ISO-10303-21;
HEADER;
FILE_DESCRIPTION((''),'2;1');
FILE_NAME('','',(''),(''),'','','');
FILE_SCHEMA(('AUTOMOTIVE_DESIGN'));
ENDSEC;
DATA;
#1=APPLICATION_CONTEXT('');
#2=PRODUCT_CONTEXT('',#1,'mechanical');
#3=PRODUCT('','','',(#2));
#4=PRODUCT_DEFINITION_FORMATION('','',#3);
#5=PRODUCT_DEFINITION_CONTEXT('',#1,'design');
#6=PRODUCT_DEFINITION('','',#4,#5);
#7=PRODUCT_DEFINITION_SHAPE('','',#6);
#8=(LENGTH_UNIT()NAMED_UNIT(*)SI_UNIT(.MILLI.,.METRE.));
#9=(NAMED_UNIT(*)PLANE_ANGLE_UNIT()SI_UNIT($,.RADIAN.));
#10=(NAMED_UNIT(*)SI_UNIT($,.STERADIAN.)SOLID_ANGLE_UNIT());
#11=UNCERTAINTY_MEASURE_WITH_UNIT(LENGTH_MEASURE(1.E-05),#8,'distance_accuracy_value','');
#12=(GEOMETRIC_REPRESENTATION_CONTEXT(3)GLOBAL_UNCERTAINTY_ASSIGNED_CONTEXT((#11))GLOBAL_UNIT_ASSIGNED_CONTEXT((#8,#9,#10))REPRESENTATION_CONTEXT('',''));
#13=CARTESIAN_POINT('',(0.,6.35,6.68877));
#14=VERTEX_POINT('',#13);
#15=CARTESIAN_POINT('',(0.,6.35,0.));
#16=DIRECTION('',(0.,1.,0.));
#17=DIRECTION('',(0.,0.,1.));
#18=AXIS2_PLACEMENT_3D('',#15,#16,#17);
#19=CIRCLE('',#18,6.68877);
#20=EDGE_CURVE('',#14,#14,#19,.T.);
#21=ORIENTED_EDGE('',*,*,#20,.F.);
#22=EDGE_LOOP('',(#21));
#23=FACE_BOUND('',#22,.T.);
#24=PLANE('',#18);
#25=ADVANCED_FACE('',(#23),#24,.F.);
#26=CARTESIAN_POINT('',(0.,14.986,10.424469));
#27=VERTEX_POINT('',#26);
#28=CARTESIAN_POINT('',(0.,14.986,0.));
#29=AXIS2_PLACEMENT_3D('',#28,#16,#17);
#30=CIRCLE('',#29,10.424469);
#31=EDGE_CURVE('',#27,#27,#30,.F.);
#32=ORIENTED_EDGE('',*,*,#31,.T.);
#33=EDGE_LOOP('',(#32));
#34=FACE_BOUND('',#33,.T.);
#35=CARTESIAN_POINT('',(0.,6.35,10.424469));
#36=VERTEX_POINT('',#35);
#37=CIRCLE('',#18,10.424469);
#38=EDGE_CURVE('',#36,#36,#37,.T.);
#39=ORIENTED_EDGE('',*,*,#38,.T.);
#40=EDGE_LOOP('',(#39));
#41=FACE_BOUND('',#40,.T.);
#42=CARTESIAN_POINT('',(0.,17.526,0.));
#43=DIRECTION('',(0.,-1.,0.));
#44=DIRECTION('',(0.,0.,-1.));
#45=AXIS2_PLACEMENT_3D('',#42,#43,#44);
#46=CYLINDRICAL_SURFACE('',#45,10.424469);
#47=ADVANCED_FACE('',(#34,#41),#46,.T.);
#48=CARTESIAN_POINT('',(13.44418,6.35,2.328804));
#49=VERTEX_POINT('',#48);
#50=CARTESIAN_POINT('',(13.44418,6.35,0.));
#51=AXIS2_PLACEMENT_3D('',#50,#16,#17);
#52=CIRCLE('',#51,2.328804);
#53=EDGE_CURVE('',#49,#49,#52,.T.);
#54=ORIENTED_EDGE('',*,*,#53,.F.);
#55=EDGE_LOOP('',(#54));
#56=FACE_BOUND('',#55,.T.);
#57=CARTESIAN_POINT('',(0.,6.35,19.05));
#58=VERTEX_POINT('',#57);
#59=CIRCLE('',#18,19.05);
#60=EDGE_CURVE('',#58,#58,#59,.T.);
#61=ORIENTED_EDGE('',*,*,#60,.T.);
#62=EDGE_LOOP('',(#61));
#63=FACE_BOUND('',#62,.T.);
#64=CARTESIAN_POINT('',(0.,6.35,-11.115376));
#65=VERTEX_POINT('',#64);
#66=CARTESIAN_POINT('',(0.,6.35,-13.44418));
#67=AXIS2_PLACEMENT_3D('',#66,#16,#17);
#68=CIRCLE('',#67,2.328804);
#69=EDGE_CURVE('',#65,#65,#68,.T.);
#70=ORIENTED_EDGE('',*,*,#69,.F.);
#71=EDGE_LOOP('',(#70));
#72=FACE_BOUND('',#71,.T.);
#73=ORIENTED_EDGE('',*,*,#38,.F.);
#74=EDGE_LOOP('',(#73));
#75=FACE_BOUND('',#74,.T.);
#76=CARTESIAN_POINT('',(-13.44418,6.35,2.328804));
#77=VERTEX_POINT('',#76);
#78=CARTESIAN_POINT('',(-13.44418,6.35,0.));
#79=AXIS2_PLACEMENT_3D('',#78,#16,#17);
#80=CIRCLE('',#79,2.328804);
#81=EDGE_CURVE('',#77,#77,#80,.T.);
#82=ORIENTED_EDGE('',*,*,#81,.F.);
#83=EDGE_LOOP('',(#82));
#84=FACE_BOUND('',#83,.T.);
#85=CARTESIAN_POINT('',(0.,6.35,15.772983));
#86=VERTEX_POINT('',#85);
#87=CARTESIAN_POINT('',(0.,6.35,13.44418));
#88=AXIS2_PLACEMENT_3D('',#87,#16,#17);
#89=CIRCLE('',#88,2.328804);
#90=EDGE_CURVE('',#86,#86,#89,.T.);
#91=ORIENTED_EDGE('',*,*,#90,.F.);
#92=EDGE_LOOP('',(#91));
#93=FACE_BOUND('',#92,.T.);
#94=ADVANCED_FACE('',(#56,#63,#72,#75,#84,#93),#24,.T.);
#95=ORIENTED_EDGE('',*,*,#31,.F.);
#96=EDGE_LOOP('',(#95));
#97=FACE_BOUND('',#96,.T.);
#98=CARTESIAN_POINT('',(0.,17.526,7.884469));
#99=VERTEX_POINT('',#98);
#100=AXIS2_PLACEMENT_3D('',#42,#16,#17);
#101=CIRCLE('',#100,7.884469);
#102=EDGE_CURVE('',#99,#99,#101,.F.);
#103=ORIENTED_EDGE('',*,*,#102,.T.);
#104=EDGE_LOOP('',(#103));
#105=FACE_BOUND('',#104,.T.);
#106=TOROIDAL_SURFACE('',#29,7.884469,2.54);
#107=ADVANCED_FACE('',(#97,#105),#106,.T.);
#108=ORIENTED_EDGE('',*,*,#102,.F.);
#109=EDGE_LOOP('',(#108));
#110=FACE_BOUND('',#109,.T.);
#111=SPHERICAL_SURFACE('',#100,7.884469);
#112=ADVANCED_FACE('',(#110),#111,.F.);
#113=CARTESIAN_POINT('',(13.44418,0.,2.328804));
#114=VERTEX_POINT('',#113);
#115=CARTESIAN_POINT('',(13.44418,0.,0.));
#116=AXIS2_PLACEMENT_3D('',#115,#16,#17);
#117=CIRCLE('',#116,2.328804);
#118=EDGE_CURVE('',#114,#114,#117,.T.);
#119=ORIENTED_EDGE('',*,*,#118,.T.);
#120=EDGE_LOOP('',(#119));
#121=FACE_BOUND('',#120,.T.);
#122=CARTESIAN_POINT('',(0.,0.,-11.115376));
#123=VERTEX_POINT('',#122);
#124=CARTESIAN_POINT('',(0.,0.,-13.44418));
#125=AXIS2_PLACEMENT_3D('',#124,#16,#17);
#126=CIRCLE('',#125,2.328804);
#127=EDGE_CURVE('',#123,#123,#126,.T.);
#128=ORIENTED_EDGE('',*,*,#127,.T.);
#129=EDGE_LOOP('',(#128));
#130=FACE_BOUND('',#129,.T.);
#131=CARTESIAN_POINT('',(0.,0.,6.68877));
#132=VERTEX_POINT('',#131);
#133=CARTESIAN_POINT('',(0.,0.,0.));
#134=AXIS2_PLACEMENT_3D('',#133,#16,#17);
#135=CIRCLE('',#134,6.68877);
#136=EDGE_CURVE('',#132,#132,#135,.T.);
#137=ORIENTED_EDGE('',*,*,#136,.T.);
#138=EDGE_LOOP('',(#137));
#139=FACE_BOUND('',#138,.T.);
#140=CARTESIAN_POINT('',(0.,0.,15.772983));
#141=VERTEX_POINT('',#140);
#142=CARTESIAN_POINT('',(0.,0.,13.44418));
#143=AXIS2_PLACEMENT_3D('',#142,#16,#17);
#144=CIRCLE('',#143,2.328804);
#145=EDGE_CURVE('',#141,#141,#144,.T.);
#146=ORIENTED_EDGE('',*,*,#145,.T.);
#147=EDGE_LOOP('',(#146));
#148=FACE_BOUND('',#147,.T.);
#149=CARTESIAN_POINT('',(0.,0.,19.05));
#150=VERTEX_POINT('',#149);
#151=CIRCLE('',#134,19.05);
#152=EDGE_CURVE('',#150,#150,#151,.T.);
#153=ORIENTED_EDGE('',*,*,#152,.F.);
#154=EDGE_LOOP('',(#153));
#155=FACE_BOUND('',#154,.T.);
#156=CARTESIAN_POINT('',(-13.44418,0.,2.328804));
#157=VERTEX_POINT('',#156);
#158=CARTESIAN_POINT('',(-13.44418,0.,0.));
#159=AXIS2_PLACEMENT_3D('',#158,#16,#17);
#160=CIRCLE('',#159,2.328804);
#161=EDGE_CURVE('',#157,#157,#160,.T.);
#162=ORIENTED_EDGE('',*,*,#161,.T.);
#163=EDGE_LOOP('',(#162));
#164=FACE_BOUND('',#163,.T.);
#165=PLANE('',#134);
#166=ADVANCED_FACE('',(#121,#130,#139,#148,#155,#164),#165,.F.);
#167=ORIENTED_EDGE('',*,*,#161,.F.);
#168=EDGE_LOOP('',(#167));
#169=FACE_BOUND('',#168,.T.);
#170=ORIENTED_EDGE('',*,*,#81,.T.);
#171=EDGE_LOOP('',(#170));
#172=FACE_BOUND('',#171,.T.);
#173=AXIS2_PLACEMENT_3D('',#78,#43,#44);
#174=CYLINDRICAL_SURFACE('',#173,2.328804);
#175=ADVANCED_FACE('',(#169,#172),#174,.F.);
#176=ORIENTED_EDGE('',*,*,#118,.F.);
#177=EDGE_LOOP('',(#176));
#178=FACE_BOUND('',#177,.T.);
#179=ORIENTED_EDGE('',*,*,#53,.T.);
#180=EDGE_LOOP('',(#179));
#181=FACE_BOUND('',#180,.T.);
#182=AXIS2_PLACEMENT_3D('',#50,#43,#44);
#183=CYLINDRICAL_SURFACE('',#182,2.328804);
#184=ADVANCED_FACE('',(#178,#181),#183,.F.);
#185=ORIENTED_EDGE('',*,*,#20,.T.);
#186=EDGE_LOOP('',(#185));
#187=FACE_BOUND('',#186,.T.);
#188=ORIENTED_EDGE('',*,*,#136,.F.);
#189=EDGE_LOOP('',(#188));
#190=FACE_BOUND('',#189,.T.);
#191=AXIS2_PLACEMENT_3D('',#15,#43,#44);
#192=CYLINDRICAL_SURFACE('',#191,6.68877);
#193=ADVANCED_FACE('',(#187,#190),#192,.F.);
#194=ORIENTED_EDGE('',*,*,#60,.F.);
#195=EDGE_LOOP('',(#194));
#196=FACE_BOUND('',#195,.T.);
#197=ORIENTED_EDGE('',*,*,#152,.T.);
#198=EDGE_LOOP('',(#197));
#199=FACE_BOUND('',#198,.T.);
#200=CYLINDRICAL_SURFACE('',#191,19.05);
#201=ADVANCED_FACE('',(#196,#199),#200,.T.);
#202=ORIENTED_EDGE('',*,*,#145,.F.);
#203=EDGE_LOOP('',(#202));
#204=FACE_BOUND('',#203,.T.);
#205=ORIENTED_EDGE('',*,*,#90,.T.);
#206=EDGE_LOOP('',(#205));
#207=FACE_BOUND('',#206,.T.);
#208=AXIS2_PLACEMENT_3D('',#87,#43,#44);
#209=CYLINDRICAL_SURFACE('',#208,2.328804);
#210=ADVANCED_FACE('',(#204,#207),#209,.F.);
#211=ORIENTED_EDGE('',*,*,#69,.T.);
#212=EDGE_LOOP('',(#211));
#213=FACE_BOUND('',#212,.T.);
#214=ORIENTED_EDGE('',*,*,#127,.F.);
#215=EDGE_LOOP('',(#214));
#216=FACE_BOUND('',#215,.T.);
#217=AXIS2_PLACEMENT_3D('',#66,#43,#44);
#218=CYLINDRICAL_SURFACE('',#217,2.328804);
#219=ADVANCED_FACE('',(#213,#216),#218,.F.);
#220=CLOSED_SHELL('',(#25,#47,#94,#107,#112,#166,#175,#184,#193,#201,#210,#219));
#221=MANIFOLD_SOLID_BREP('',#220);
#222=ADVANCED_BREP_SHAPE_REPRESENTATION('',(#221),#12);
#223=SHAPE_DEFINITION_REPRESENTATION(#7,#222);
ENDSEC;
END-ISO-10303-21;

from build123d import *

# Parameters (mm, degrees)
SKETCH2_R           = 19.05
SKETCH2_R_2         = 6.688770164
SKETCH2_R_3         = 2.328803663
BOSS_EXTRUDE1_DEPTH = 6.35
SKETCH3_R           = 10.424468921
BOSS_EXTRUDE2_DEPTH = 11.176
FILLET1_R           = 2.54


with BuildPart() as part:
    # Sketch2 → Boss-Extrude1 (new body)
    with BuildSketch(Plane(origin=(0, 0, 0), x_dir=(1, 0, 0), z_dir=(0, 1, 0))):
        with Locations(Location((0, 0, 0), (0, 0, 270))):
            Circle(SKETCH2_R)
        with Locations(Location((0, 0, 0), (0, 0, 270))):
            Circle(SKETCH2_R_2, mode=Mode.SUBTRACT)
        with Locations(Location((0, 13.4441798, 0), (0, 0, 270))):
            Circle(SKETCH2_R_3, mode=Mode.SUBTRACT)
        with Locations(Location((13.4441798, 0, 0), (0, 0, 270))):
            Circle(SKETCH2_R_3, mode=Mode.SUBTRACT)
        with Locations(Location((0, -13.4441798, 0), (0, 0, 270))):
            Circle(SKETCH2_R_3, mode=Mode.SUBTRACT)
        with Locations(Location((-13.4441798, 0, 0), (0, 0, 270))):
            Circle(SKETCH2_R_3, mode=Mode.SUBTRACT)
    extrude(amount=BOSS_EXTRUDE1_DEPTH)

    # Sketch3 → Boss-Extrude2 (add)
    with BuildSketch(Plane(origin=(0, 6.35, 0), x_dir=(1, 0, 0), z_dir=(0, 1, 0))):
        with Locations(Location((0, 0, 0), (0, 0, 270))):
            Circle(SKETCH3_R)
    extrude(amount=BOSS_EXTRUDE2_DEPTH)

    # Fillet1
    fillet1_edges = [part.edges().sort_by_distance(p)[0] for p in [
        (0, 17.526, -10.424468921),
    ]]
    fillet(fillet1_edges, radius=FILLET1_R)


with BuildPart() as body_2:
    # Sketch5 → Revolve1 (revolve)
    with BuildSketch(Plane(origin=(0, 17.526, 0), x_dir=(1, 0, 0), z_dir=(0, 1, 0))):
        with BuildLine():
            Line((0, 7.884468921), (0, -7.884468921))
            ThreePointArc((0, -7.884468921), (7.884468921, 0), (0, 7.884468921))
        make_face()
    revolve(axis=Axis((0, 17.526, -14.295685005), (0, 0, 1)))


with BuildPart() as part_1:
    add(part.part)

    # Combine1: cut body 2
    add(body_2.part, mode=Mode.SUBTRACT)


solid = part_1.part
